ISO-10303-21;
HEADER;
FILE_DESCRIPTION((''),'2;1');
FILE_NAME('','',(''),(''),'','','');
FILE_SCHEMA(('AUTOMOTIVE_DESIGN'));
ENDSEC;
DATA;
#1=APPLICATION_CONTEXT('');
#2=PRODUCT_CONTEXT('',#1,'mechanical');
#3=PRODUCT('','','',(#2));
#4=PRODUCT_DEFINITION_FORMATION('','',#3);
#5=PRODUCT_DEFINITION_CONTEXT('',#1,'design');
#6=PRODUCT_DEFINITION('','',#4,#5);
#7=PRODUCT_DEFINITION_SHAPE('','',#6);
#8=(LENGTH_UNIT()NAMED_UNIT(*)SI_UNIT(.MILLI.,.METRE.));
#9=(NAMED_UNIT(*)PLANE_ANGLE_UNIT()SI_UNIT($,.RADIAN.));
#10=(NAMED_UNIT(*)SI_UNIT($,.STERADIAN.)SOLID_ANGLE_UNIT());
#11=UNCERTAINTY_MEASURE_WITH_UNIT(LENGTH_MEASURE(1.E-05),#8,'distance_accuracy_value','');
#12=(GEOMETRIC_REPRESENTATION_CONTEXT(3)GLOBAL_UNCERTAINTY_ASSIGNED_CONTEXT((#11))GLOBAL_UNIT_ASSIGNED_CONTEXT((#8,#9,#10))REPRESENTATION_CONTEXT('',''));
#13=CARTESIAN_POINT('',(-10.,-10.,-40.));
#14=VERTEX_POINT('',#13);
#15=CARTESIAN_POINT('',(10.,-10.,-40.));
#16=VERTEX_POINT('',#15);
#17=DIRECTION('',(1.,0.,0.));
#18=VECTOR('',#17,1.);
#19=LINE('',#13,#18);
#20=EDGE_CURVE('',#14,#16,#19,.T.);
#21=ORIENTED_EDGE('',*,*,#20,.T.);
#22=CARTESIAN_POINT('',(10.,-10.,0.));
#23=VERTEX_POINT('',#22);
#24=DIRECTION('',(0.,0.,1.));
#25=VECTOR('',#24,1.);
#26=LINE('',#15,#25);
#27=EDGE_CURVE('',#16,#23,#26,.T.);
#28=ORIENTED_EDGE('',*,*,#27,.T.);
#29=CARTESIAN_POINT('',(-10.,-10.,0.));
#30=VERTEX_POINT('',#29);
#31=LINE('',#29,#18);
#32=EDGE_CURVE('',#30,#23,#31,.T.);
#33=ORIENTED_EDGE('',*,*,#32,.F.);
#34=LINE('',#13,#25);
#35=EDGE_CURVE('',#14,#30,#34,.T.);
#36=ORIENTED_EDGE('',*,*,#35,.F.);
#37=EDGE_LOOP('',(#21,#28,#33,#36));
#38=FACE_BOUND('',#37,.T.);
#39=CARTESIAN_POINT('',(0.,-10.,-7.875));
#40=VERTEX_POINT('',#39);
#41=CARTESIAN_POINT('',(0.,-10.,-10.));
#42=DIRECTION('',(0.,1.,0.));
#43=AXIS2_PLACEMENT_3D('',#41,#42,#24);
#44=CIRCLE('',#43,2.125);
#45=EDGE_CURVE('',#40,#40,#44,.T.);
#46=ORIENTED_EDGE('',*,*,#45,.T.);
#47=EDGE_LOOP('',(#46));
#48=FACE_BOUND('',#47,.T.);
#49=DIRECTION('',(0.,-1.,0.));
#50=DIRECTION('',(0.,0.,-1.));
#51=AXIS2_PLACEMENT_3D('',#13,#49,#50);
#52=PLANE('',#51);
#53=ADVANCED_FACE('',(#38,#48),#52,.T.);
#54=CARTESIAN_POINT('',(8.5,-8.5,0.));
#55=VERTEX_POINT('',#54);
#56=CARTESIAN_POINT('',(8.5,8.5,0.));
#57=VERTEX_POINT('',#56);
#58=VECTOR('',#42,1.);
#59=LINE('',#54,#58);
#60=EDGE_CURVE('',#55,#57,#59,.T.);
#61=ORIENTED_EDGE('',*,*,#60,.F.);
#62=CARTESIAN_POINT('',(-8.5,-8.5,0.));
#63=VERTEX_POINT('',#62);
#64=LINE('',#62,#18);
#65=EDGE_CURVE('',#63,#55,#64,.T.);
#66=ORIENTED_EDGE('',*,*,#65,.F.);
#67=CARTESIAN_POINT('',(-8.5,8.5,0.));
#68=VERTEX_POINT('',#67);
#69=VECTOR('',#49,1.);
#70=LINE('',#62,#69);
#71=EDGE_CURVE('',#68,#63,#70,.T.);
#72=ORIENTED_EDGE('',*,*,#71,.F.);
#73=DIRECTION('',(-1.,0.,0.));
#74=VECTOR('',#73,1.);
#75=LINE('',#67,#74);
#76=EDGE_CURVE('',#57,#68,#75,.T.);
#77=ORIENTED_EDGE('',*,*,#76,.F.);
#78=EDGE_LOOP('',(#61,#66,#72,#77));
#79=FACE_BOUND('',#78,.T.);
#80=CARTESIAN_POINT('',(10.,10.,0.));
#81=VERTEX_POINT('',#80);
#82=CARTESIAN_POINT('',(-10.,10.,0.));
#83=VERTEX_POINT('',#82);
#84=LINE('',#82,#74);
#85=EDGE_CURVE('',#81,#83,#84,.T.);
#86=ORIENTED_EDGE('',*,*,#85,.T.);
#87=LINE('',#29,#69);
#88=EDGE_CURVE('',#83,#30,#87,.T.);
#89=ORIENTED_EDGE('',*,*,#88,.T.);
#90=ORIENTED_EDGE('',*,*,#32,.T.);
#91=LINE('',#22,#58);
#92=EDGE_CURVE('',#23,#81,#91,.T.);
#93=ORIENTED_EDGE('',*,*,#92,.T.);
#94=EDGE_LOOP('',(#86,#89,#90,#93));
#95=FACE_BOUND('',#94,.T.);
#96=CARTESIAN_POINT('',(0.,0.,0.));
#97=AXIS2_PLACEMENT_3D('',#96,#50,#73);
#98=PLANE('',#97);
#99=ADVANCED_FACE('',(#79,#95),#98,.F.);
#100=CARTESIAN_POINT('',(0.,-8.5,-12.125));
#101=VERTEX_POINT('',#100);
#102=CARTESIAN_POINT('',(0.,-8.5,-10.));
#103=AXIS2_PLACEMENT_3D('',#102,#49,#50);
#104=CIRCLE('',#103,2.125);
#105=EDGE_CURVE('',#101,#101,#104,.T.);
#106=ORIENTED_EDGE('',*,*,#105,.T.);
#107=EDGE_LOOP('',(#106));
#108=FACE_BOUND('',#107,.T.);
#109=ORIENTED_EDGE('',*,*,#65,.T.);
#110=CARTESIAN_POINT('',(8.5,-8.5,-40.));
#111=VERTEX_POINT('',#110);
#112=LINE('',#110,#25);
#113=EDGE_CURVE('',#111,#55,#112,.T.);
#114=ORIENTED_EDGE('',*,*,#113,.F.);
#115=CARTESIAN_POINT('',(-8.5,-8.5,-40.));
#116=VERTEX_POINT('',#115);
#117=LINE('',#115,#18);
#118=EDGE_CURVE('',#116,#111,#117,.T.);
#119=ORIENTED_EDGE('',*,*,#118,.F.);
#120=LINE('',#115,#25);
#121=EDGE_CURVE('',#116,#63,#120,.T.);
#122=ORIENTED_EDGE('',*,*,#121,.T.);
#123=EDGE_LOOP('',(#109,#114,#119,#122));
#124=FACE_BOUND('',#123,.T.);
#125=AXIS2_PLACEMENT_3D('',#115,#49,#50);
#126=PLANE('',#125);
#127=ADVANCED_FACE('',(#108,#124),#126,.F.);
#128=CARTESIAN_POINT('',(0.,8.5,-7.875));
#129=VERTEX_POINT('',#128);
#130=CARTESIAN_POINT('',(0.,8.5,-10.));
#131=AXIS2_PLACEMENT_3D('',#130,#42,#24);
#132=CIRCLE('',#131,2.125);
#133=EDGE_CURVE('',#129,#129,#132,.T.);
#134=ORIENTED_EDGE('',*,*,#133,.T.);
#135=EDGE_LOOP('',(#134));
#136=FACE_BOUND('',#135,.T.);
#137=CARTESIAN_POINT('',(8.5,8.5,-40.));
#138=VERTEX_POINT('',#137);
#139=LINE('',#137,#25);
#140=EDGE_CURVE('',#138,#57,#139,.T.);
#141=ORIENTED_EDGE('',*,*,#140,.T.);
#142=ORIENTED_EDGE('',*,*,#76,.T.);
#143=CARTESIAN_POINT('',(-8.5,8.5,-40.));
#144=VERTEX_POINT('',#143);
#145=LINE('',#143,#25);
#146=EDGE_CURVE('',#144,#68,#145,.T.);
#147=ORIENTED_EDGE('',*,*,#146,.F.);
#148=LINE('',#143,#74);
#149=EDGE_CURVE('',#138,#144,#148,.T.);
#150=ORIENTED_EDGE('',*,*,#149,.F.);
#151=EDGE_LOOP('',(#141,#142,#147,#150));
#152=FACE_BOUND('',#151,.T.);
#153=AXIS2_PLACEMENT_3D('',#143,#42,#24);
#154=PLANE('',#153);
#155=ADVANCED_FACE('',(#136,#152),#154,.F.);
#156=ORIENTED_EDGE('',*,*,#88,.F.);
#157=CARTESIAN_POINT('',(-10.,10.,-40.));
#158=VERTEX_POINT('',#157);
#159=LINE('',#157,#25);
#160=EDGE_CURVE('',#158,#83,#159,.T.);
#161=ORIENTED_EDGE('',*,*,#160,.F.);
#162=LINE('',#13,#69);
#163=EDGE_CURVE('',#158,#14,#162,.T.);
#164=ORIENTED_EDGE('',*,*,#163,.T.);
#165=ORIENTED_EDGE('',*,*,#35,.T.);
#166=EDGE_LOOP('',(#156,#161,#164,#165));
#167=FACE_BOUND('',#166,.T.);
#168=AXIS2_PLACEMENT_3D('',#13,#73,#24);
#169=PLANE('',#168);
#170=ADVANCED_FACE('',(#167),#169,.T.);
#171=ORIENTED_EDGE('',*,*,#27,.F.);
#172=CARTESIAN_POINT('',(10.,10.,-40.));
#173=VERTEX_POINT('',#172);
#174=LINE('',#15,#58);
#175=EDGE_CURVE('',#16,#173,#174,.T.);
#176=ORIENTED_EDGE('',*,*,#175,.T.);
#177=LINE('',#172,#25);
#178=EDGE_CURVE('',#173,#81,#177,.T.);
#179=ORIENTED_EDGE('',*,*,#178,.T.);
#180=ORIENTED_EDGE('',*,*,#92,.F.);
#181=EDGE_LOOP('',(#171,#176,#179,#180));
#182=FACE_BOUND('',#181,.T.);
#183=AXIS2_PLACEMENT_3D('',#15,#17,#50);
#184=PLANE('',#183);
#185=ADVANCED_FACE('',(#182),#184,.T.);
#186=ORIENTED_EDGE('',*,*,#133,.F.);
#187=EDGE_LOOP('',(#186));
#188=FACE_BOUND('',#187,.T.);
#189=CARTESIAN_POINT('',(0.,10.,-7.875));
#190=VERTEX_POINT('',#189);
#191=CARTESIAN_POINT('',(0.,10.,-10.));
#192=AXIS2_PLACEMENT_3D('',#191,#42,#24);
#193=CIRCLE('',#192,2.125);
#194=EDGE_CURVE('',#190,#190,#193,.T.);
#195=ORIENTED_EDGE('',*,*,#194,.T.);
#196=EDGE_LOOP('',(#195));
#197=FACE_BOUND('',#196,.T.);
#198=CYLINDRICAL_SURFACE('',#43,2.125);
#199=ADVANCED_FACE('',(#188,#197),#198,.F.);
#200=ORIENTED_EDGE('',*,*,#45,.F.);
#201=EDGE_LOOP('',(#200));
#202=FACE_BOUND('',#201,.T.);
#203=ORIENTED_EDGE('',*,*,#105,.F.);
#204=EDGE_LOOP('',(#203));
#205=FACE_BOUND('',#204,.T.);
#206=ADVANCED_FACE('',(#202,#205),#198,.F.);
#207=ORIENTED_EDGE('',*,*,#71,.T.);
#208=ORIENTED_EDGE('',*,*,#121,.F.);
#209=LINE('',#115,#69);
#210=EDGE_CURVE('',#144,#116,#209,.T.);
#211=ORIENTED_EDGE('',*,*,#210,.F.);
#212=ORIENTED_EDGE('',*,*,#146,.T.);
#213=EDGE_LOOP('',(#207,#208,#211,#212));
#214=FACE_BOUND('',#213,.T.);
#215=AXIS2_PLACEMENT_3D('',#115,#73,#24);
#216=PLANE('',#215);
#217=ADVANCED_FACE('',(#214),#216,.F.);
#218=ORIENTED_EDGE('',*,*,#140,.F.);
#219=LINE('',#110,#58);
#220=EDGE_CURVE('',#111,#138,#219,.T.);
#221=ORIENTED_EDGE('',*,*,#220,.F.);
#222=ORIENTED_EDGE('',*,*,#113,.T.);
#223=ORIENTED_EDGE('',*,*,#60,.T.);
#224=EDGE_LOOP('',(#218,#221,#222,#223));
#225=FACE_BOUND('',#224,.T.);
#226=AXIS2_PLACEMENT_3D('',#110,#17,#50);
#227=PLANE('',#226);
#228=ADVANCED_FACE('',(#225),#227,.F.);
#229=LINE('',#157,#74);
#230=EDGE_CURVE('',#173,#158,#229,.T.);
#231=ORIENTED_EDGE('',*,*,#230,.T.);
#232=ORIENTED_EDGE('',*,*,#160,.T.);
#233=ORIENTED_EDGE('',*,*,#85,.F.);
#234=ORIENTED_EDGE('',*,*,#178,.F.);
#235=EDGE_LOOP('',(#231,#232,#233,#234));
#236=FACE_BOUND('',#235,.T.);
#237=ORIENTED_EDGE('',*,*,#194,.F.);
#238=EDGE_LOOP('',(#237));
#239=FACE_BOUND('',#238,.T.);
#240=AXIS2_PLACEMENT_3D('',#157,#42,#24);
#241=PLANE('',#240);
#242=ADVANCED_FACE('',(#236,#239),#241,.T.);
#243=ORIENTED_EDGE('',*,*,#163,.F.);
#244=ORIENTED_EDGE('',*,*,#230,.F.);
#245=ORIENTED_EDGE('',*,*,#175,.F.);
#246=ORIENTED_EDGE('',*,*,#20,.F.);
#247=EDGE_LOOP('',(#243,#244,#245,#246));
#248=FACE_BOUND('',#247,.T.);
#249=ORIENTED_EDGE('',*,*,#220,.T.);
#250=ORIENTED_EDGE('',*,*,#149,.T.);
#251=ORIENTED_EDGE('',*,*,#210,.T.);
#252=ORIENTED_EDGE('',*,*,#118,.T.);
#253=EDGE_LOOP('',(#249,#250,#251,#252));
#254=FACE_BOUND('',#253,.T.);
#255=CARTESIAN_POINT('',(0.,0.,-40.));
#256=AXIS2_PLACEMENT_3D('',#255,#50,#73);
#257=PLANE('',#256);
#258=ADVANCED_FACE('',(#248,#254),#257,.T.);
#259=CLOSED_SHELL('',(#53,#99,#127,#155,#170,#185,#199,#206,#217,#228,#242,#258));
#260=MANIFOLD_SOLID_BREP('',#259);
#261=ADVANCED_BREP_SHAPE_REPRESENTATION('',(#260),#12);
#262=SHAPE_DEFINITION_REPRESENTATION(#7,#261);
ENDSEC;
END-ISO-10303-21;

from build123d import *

# Parameters (mm, degrees)
SKETCH1_W           = 20
SKETCH1_H           = 20
SKETCH1_W_2         = 17
SKETCH1_H_2         = 17
BOSS_EXTRUDE1_DEPTH = 40
SKETCH2_R           = 2.125
CUT_EXTRUDE1_DEPTH  = 46.82575695


with BuildPart() as part:
    # Sketch1 → Boss-Extrude1 (new body)
    with BuildSketch(Plane.XY):
        Rectangle(SKETCH1_W, SKETCH1_H)
        Rectangle(SKETCH1_W_2, SKETCH1_H_2, mode=Mode.SUBTRACT)
    extrude(amount=-BOSS_EXTRUDE1_DEPTH)

    # Sketch2 → Cut-Extrude1 (cut, through all)
    with BuildSketch(Plane(origin=(0, 10, 0), x_dir=(1, 0, 0), z_dir=(0, 1, 0))):
        with Locations(Location((0, 10, 0), (0, 0, 270))):
            Circle(SKETCH2_R)
        with Locations((0, 80)):
            Circle(SKETCH2_R)
        with Locations((0, 150)):
            Circle(SKETCH2_R)
    extrude(amount=-CUT_EXTRUDE1_DEPTH, mode=Mode.SUBTRACT)


solid = part.part
